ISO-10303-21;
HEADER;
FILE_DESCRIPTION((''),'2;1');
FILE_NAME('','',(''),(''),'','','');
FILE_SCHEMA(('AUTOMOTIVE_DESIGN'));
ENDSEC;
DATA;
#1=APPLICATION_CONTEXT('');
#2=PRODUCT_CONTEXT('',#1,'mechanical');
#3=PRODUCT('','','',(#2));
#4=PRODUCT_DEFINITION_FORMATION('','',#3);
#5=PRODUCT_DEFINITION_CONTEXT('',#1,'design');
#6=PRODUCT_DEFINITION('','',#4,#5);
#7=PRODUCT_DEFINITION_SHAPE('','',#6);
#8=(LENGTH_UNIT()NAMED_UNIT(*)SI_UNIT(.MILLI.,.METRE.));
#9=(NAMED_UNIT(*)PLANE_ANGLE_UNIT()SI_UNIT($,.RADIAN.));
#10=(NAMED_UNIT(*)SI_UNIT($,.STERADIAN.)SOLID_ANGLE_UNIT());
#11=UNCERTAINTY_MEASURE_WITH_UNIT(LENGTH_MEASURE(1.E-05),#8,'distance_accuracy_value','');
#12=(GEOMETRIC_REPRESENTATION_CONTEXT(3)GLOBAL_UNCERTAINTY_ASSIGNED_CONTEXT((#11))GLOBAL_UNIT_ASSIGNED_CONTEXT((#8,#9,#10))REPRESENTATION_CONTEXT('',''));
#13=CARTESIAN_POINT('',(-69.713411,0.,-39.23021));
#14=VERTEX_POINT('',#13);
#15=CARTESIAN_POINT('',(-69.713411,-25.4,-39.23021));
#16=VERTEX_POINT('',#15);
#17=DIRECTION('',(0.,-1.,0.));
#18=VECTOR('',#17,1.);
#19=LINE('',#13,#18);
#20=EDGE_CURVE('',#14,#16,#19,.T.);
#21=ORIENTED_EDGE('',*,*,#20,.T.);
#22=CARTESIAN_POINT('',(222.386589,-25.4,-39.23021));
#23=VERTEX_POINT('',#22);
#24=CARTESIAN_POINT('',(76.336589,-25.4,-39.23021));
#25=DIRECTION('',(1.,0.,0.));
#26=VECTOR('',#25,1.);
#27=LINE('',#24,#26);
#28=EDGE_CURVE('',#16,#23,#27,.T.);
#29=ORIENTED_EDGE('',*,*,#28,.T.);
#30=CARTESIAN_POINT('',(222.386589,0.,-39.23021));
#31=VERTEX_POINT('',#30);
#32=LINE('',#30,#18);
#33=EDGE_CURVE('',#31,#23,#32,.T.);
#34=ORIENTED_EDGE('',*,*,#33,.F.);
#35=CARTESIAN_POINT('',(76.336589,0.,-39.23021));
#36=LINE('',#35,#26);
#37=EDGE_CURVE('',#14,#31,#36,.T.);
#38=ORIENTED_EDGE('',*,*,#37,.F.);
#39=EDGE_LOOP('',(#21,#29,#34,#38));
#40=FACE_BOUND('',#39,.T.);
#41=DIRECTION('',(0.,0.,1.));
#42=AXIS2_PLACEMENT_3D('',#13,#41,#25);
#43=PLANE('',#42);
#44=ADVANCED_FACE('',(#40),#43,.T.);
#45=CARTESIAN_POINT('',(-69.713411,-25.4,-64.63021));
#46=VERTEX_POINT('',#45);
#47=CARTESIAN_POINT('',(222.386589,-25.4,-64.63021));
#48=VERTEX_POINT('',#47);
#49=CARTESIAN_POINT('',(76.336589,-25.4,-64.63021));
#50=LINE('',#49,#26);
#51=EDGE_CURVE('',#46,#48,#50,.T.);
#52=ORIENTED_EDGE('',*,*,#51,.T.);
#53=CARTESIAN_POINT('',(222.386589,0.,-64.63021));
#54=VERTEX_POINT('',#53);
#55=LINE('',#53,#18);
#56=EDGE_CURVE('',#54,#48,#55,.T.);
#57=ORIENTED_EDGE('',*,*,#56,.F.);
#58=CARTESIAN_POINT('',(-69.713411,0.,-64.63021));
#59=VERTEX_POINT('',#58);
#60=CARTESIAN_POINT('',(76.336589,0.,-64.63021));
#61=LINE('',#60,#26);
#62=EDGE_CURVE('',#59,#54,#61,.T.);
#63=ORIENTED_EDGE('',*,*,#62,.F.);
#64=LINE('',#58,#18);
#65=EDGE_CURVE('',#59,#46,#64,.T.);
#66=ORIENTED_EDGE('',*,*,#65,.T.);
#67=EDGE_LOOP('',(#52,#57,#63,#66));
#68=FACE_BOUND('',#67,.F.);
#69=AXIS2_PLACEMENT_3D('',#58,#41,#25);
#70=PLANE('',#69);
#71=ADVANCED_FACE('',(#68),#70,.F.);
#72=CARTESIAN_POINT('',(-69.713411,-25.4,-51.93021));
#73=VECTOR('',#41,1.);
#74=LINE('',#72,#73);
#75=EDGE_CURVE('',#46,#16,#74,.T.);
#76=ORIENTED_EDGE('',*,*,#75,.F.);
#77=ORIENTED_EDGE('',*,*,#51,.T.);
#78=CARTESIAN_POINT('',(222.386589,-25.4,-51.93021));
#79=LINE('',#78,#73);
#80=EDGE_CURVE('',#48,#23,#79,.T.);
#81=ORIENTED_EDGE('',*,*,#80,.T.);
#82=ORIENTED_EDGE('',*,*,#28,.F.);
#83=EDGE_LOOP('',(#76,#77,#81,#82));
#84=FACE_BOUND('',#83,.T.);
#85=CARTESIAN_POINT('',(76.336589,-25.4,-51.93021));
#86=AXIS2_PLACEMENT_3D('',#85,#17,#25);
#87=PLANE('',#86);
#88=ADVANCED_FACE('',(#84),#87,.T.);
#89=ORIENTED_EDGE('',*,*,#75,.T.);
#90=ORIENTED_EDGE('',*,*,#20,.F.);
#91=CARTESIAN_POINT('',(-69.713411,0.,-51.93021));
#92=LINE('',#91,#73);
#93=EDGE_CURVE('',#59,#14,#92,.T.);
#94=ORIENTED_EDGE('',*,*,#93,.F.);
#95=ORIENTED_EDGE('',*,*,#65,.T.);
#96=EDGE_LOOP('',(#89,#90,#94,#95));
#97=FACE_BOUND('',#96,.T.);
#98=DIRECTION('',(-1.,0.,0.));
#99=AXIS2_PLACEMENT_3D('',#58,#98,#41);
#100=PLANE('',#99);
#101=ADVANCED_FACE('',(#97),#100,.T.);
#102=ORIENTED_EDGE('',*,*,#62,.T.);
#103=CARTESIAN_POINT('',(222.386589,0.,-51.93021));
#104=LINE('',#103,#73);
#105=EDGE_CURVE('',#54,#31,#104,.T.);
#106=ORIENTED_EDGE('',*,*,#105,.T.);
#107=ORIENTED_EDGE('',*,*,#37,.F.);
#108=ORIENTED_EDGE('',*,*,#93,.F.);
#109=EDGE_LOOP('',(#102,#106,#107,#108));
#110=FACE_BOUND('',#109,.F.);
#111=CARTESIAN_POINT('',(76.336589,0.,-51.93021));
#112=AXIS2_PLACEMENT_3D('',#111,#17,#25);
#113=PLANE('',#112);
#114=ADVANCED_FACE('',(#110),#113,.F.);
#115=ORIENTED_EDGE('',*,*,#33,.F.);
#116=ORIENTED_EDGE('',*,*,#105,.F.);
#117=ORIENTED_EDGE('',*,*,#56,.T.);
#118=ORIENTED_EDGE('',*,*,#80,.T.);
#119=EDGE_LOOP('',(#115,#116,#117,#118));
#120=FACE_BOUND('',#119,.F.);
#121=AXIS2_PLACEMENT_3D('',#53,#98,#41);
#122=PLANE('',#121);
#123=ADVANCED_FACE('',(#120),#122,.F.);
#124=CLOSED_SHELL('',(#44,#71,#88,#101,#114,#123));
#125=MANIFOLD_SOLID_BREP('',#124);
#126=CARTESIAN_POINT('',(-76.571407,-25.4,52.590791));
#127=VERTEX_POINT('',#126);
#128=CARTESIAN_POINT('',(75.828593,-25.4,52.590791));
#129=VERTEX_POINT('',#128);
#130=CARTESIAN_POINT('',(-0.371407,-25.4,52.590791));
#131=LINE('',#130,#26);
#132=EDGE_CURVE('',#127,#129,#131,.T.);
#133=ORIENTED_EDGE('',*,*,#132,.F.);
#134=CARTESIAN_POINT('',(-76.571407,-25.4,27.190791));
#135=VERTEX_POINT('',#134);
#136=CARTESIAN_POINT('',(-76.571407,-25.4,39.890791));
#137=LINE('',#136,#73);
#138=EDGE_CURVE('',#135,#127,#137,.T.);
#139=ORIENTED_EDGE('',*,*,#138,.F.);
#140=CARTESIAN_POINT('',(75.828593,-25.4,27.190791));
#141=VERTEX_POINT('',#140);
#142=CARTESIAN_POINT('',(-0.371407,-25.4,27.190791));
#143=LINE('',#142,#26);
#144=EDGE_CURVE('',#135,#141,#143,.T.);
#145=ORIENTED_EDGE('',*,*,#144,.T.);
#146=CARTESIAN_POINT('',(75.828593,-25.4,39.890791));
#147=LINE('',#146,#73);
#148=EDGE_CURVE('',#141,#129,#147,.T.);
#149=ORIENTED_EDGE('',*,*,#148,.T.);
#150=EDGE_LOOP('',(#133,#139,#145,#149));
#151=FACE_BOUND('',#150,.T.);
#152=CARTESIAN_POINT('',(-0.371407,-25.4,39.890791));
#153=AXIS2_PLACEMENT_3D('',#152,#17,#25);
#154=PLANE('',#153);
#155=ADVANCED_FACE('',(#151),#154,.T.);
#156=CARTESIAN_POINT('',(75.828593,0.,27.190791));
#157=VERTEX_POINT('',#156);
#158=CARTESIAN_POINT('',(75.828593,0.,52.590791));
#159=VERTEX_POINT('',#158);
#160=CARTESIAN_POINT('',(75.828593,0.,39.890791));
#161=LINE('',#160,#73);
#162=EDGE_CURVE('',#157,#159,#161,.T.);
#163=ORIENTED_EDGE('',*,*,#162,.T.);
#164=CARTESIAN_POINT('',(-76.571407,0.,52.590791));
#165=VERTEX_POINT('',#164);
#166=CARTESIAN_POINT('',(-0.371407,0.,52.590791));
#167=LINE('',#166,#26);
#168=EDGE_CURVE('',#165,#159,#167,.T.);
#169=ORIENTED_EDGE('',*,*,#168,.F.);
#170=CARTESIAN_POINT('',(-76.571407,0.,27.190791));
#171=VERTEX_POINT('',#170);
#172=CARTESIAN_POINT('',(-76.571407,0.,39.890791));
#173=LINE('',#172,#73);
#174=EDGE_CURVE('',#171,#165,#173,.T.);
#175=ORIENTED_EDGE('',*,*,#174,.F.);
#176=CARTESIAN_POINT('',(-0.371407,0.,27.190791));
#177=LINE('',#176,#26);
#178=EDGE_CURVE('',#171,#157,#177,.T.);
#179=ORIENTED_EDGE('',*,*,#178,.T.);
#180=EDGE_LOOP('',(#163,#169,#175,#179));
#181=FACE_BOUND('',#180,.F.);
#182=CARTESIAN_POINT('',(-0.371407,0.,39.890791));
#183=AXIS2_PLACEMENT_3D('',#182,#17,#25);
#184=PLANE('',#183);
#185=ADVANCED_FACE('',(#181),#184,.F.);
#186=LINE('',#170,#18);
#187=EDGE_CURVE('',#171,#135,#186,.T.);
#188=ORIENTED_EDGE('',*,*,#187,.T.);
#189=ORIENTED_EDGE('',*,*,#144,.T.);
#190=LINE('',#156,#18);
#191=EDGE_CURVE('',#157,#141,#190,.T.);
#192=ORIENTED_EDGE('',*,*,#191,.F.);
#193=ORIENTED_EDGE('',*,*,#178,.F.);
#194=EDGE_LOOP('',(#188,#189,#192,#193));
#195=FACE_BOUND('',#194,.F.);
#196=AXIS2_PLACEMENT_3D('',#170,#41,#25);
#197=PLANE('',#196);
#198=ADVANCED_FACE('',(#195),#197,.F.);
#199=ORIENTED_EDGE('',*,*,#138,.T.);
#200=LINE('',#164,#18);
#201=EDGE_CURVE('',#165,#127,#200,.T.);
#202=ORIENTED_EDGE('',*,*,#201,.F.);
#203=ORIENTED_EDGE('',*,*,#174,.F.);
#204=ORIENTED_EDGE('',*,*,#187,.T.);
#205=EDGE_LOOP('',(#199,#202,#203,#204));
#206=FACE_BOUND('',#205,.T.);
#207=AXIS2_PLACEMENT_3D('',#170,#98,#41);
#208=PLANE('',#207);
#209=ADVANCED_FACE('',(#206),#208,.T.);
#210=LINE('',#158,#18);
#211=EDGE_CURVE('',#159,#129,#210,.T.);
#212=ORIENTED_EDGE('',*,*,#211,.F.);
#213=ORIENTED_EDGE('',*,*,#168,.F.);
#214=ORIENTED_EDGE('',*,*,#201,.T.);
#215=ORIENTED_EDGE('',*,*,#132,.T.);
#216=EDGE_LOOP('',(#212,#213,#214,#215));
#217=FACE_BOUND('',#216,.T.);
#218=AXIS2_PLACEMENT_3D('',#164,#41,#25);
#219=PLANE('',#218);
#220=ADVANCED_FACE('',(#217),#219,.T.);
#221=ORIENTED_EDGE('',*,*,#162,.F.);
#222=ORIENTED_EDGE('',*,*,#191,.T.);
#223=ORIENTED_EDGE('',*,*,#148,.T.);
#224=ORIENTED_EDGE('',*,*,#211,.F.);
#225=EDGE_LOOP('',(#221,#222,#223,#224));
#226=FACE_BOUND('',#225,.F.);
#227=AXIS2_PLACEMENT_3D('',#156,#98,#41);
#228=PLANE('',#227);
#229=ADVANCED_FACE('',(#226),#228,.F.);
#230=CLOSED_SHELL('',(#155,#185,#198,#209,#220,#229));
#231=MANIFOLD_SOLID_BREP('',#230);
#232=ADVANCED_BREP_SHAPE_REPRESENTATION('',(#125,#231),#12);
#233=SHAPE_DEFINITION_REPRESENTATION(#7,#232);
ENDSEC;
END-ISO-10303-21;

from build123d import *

# Parameters (mm, degrees)
F0_W     = 152.4
F0_H     = 25.4
F0_W_2   = 292.1
F1_DEPTH = 25.4


with BuildPart() as f1:
    # F0 (on Front) → F1 (new body)
    with BuildSketch(Plane.XZ):
        with Locations((-0.371407, 39.890791)):
            Rectangle(F0_W, F0_H)
        with Locations((76.336589, -51.93021)):
            Rectangle(F0_W_2, F0_H)
    extrude(amount=F1_DEPTH)


solid = f1.part
